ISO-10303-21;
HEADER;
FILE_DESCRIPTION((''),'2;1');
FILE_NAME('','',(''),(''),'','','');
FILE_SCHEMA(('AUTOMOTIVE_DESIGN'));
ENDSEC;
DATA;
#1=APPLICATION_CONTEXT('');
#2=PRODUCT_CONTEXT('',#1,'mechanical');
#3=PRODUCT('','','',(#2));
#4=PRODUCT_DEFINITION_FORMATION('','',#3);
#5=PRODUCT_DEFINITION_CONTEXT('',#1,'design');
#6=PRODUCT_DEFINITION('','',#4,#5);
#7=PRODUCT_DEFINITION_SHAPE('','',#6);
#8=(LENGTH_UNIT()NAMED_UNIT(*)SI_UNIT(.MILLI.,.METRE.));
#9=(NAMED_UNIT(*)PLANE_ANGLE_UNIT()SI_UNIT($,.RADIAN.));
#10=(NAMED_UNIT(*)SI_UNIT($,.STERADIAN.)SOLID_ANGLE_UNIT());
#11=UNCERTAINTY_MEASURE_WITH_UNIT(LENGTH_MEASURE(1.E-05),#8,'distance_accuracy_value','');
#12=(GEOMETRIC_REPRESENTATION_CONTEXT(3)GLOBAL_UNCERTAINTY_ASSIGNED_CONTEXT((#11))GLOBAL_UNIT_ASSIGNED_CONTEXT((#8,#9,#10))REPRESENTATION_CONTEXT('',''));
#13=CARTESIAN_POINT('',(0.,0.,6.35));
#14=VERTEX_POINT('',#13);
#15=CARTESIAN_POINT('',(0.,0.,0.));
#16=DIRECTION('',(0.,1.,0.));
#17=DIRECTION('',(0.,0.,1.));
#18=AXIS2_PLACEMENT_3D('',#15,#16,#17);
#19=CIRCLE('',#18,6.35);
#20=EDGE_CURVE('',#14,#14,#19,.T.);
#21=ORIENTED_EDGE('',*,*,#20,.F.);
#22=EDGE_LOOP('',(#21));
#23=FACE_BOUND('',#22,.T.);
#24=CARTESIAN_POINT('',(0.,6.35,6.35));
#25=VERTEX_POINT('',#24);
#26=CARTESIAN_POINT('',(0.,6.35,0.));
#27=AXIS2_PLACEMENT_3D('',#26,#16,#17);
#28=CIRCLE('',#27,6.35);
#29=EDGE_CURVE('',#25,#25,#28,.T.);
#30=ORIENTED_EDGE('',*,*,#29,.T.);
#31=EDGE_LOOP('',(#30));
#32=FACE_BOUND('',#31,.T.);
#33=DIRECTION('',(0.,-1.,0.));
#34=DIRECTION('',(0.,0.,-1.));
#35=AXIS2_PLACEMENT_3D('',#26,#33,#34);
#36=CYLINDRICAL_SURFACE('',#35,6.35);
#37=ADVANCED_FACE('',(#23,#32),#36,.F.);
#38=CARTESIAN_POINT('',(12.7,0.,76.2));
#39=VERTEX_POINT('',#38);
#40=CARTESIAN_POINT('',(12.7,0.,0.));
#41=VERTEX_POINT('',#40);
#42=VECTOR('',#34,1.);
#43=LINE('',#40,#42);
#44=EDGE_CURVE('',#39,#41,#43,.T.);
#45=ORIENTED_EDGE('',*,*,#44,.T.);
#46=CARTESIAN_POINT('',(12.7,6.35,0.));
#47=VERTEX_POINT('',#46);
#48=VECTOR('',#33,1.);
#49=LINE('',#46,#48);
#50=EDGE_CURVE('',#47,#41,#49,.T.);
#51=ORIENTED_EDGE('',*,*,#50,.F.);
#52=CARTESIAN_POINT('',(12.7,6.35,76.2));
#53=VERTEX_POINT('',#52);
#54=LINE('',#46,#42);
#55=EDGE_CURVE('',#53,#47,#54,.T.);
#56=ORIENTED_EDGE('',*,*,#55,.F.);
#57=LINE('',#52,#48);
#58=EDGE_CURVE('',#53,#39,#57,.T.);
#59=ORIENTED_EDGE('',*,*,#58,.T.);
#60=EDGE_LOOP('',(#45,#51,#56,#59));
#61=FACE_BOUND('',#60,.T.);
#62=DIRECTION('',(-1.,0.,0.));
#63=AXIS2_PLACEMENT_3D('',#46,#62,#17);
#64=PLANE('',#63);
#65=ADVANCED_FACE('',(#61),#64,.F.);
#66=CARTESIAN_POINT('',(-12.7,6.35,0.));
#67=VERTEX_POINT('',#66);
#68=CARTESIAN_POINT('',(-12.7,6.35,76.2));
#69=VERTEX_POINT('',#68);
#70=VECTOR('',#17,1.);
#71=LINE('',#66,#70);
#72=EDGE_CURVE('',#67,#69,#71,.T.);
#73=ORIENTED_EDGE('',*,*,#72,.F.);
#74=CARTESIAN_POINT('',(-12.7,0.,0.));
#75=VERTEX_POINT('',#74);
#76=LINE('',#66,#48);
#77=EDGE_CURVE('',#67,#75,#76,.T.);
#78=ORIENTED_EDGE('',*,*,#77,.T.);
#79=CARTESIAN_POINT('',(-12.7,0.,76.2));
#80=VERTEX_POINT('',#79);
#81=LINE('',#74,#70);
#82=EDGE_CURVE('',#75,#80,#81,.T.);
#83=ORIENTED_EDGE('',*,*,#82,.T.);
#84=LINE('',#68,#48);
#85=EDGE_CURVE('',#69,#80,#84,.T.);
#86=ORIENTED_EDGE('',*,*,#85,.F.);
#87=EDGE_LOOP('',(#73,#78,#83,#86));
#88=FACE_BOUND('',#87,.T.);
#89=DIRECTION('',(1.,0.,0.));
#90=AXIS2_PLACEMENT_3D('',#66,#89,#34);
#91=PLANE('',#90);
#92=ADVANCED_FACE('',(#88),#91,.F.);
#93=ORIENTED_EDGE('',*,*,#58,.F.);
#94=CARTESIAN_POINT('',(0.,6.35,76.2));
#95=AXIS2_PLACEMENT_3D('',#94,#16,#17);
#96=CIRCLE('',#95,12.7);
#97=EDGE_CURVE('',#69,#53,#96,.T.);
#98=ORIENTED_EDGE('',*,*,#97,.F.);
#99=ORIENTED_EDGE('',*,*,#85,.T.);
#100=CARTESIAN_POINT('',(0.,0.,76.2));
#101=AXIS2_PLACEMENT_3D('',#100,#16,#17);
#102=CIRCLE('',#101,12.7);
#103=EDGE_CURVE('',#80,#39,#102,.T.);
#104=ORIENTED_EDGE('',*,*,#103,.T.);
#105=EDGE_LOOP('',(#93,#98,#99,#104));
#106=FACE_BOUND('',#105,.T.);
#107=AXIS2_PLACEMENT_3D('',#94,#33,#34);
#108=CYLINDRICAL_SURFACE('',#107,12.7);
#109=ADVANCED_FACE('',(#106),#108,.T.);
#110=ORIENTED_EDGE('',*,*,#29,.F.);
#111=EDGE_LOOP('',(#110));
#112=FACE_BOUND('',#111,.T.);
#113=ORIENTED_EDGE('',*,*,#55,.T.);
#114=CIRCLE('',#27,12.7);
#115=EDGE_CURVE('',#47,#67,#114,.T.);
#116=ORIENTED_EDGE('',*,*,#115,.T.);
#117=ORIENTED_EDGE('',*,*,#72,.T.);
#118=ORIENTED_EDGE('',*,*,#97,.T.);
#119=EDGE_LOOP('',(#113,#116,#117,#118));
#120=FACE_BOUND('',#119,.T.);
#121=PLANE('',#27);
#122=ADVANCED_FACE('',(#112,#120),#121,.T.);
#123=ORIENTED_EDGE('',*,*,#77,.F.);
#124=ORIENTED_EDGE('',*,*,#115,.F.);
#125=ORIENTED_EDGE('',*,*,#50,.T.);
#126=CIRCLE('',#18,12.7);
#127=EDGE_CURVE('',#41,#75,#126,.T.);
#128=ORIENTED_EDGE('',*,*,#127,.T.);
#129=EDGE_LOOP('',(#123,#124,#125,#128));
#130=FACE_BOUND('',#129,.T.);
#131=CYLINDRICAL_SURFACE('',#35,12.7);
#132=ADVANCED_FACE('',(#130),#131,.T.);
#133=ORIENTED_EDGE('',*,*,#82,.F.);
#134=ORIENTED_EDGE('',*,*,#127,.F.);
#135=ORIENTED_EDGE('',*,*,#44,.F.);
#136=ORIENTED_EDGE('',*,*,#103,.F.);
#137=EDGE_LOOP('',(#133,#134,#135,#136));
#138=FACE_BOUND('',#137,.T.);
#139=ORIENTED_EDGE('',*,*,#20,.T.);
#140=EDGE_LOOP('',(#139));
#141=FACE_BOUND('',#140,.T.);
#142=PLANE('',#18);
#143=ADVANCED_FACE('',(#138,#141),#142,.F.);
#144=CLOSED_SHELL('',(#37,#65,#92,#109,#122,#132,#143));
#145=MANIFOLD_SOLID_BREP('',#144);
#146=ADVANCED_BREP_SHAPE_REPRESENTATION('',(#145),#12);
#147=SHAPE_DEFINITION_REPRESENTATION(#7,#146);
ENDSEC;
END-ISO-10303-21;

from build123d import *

# Parameters (mm, degrees)
SKETCH1_R           = 6.35
BOSS_EXTRUDE1_DEPTH = 6.35


with BuildPart() as part:
    # Sketch1 → Boss-Extrude1 (new body)
    with BuildSketch(Plane(origin=(0, 0, 0), x_dir=(1, 0, 0), z_dir=(0, 1, 0))):
        with BuildLine():
            Line((12.7, 0), (12.7, -76.2))
            ThreePointArc((12.7, -76.2), (0, -88.9), (-12.7, -76.2))
            Line((-12.7, -76.2), (-12.7, 0))
            ThreePointArc((-12.7, 0), (0, 12.7), (12.7, 0))
        make_face()
        with Locations(Location((0, 0, 0), (0, 0, 270))):
            Circle(SKETCH1_R, mode=Mode.SUBTRACT)
    extrude(amount=BOSS_EXTRUDE1_DEPTH)


solid = part.part
